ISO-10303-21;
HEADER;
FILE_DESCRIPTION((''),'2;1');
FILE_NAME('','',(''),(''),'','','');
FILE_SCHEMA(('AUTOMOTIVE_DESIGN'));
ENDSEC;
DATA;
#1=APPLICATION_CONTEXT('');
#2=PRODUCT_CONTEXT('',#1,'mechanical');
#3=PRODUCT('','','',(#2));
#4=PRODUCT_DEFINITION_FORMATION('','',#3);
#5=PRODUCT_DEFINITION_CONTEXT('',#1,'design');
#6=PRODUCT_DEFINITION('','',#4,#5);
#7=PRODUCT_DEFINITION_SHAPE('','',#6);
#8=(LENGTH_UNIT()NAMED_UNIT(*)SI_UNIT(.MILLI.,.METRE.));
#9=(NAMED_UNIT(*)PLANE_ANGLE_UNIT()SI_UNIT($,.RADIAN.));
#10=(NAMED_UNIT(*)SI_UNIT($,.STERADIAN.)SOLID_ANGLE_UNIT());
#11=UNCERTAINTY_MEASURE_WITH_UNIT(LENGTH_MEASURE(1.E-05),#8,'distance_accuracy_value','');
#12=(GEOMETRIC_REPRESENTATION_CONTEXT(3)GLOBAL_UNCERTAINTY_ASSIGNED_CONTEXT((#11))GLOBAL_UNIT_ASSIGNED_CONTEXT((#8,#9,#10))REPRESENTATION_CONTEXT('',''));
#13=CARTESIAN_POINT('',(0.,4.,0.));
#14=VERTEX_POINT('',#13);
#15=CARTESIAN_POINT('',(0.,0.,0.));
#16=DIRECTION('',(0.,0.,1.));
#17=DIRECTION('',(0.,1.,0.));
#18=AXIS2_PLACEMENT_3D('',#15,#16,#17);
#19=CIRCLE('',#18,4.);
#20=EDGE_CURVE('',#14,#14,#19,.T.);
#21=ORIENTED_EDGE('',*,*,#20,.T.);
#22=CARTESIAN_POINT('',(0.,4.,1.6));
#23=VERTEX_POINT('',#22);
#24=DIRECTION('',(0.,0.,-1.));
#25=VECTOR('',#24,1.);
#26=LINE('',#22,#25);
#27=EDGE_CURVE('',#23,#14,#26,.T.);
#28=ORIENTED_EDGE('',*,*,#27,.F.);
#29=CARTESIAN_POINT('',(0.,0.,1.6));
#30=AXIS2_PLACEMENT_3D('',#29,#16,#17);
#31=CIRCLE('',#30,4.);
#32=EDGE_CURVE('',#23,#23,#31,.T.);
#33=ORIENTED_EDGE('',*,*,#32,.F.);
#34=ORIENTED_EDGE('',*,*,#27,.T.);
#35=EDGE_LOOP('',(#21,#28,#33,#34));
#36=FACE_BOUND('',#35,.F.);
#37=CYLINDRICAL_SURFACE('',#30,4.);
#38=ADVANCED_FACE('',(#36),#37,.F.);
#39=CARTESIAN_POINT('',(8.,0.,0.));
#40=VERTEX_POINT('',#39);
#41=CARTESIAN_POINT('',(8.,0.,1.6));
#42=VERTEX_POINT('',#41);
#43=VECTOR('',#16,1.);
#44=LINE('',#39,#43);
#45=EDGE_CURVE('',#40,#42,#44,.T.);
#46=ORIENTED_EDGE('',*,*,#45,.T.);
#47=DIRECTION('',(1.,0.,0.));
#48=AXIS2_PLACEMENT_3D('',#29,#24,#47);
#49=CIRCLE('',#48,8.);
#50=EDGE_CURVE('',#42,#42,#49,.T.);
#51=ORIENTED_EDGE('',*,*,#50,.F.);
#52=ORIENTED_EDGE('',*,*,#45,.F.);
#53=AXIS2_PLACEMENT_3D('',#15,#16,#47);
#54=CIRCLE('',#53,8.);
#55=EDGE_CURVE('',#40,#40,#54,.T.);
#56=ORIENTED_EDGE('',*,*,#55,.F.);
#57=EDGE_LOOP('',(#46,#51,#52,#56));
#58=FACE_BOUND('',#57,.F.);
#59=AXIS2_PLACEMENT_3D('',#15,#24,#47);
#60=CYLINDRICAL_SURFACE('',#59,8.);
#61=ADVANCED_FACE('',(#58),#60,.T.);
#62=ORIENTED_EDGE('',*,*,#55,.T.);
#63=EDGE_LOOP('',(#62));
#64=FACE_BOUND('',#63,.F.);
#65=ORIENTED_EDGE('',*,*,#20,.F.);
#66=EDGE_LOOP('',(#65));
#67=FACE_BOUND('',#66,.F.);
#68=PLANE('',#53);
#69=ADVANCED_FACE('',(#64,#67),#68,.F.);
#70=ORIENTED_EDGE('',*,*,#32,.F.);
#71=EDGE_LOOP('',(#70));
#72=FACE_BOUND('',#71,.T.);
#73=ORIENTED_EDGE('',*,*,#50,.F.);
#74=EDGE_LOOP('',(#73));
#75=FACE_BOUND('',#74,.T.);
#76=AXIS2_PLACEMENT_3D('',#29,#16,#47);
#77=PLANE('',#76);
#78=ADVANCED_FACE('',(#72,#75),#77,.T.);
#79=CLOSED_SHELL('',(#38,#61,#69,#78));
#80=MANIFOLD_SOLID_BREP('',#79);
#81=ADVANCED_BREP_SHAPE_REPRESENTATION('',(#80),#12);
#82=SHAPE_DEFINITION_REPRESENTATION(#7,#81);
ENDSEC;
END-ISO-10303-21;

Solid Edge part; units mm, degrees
sketch "Sketch1" plane through (0, 0, 0) normal (0, 0, 1) x (1, 0, 0)
  circle A0 centre (0, 0) radius 8
  circle A1 centre (0, 0) radius 4.2
extrude "Protrusion1" add sketch "Sketch1" along normal blind 1.6
sketch "Sketch2" plane through (0, 0, 1.6) normal (0, 0, 1) x (0, 1, 0)
  circle A0 centre (0, 0) radius 4
  circle A1 centre (0, 0) radius 8
extrude "Protrusion2" add sketch "Sketch2" against normal up to vertex (1.6 mm away)
properties material "Steel"
